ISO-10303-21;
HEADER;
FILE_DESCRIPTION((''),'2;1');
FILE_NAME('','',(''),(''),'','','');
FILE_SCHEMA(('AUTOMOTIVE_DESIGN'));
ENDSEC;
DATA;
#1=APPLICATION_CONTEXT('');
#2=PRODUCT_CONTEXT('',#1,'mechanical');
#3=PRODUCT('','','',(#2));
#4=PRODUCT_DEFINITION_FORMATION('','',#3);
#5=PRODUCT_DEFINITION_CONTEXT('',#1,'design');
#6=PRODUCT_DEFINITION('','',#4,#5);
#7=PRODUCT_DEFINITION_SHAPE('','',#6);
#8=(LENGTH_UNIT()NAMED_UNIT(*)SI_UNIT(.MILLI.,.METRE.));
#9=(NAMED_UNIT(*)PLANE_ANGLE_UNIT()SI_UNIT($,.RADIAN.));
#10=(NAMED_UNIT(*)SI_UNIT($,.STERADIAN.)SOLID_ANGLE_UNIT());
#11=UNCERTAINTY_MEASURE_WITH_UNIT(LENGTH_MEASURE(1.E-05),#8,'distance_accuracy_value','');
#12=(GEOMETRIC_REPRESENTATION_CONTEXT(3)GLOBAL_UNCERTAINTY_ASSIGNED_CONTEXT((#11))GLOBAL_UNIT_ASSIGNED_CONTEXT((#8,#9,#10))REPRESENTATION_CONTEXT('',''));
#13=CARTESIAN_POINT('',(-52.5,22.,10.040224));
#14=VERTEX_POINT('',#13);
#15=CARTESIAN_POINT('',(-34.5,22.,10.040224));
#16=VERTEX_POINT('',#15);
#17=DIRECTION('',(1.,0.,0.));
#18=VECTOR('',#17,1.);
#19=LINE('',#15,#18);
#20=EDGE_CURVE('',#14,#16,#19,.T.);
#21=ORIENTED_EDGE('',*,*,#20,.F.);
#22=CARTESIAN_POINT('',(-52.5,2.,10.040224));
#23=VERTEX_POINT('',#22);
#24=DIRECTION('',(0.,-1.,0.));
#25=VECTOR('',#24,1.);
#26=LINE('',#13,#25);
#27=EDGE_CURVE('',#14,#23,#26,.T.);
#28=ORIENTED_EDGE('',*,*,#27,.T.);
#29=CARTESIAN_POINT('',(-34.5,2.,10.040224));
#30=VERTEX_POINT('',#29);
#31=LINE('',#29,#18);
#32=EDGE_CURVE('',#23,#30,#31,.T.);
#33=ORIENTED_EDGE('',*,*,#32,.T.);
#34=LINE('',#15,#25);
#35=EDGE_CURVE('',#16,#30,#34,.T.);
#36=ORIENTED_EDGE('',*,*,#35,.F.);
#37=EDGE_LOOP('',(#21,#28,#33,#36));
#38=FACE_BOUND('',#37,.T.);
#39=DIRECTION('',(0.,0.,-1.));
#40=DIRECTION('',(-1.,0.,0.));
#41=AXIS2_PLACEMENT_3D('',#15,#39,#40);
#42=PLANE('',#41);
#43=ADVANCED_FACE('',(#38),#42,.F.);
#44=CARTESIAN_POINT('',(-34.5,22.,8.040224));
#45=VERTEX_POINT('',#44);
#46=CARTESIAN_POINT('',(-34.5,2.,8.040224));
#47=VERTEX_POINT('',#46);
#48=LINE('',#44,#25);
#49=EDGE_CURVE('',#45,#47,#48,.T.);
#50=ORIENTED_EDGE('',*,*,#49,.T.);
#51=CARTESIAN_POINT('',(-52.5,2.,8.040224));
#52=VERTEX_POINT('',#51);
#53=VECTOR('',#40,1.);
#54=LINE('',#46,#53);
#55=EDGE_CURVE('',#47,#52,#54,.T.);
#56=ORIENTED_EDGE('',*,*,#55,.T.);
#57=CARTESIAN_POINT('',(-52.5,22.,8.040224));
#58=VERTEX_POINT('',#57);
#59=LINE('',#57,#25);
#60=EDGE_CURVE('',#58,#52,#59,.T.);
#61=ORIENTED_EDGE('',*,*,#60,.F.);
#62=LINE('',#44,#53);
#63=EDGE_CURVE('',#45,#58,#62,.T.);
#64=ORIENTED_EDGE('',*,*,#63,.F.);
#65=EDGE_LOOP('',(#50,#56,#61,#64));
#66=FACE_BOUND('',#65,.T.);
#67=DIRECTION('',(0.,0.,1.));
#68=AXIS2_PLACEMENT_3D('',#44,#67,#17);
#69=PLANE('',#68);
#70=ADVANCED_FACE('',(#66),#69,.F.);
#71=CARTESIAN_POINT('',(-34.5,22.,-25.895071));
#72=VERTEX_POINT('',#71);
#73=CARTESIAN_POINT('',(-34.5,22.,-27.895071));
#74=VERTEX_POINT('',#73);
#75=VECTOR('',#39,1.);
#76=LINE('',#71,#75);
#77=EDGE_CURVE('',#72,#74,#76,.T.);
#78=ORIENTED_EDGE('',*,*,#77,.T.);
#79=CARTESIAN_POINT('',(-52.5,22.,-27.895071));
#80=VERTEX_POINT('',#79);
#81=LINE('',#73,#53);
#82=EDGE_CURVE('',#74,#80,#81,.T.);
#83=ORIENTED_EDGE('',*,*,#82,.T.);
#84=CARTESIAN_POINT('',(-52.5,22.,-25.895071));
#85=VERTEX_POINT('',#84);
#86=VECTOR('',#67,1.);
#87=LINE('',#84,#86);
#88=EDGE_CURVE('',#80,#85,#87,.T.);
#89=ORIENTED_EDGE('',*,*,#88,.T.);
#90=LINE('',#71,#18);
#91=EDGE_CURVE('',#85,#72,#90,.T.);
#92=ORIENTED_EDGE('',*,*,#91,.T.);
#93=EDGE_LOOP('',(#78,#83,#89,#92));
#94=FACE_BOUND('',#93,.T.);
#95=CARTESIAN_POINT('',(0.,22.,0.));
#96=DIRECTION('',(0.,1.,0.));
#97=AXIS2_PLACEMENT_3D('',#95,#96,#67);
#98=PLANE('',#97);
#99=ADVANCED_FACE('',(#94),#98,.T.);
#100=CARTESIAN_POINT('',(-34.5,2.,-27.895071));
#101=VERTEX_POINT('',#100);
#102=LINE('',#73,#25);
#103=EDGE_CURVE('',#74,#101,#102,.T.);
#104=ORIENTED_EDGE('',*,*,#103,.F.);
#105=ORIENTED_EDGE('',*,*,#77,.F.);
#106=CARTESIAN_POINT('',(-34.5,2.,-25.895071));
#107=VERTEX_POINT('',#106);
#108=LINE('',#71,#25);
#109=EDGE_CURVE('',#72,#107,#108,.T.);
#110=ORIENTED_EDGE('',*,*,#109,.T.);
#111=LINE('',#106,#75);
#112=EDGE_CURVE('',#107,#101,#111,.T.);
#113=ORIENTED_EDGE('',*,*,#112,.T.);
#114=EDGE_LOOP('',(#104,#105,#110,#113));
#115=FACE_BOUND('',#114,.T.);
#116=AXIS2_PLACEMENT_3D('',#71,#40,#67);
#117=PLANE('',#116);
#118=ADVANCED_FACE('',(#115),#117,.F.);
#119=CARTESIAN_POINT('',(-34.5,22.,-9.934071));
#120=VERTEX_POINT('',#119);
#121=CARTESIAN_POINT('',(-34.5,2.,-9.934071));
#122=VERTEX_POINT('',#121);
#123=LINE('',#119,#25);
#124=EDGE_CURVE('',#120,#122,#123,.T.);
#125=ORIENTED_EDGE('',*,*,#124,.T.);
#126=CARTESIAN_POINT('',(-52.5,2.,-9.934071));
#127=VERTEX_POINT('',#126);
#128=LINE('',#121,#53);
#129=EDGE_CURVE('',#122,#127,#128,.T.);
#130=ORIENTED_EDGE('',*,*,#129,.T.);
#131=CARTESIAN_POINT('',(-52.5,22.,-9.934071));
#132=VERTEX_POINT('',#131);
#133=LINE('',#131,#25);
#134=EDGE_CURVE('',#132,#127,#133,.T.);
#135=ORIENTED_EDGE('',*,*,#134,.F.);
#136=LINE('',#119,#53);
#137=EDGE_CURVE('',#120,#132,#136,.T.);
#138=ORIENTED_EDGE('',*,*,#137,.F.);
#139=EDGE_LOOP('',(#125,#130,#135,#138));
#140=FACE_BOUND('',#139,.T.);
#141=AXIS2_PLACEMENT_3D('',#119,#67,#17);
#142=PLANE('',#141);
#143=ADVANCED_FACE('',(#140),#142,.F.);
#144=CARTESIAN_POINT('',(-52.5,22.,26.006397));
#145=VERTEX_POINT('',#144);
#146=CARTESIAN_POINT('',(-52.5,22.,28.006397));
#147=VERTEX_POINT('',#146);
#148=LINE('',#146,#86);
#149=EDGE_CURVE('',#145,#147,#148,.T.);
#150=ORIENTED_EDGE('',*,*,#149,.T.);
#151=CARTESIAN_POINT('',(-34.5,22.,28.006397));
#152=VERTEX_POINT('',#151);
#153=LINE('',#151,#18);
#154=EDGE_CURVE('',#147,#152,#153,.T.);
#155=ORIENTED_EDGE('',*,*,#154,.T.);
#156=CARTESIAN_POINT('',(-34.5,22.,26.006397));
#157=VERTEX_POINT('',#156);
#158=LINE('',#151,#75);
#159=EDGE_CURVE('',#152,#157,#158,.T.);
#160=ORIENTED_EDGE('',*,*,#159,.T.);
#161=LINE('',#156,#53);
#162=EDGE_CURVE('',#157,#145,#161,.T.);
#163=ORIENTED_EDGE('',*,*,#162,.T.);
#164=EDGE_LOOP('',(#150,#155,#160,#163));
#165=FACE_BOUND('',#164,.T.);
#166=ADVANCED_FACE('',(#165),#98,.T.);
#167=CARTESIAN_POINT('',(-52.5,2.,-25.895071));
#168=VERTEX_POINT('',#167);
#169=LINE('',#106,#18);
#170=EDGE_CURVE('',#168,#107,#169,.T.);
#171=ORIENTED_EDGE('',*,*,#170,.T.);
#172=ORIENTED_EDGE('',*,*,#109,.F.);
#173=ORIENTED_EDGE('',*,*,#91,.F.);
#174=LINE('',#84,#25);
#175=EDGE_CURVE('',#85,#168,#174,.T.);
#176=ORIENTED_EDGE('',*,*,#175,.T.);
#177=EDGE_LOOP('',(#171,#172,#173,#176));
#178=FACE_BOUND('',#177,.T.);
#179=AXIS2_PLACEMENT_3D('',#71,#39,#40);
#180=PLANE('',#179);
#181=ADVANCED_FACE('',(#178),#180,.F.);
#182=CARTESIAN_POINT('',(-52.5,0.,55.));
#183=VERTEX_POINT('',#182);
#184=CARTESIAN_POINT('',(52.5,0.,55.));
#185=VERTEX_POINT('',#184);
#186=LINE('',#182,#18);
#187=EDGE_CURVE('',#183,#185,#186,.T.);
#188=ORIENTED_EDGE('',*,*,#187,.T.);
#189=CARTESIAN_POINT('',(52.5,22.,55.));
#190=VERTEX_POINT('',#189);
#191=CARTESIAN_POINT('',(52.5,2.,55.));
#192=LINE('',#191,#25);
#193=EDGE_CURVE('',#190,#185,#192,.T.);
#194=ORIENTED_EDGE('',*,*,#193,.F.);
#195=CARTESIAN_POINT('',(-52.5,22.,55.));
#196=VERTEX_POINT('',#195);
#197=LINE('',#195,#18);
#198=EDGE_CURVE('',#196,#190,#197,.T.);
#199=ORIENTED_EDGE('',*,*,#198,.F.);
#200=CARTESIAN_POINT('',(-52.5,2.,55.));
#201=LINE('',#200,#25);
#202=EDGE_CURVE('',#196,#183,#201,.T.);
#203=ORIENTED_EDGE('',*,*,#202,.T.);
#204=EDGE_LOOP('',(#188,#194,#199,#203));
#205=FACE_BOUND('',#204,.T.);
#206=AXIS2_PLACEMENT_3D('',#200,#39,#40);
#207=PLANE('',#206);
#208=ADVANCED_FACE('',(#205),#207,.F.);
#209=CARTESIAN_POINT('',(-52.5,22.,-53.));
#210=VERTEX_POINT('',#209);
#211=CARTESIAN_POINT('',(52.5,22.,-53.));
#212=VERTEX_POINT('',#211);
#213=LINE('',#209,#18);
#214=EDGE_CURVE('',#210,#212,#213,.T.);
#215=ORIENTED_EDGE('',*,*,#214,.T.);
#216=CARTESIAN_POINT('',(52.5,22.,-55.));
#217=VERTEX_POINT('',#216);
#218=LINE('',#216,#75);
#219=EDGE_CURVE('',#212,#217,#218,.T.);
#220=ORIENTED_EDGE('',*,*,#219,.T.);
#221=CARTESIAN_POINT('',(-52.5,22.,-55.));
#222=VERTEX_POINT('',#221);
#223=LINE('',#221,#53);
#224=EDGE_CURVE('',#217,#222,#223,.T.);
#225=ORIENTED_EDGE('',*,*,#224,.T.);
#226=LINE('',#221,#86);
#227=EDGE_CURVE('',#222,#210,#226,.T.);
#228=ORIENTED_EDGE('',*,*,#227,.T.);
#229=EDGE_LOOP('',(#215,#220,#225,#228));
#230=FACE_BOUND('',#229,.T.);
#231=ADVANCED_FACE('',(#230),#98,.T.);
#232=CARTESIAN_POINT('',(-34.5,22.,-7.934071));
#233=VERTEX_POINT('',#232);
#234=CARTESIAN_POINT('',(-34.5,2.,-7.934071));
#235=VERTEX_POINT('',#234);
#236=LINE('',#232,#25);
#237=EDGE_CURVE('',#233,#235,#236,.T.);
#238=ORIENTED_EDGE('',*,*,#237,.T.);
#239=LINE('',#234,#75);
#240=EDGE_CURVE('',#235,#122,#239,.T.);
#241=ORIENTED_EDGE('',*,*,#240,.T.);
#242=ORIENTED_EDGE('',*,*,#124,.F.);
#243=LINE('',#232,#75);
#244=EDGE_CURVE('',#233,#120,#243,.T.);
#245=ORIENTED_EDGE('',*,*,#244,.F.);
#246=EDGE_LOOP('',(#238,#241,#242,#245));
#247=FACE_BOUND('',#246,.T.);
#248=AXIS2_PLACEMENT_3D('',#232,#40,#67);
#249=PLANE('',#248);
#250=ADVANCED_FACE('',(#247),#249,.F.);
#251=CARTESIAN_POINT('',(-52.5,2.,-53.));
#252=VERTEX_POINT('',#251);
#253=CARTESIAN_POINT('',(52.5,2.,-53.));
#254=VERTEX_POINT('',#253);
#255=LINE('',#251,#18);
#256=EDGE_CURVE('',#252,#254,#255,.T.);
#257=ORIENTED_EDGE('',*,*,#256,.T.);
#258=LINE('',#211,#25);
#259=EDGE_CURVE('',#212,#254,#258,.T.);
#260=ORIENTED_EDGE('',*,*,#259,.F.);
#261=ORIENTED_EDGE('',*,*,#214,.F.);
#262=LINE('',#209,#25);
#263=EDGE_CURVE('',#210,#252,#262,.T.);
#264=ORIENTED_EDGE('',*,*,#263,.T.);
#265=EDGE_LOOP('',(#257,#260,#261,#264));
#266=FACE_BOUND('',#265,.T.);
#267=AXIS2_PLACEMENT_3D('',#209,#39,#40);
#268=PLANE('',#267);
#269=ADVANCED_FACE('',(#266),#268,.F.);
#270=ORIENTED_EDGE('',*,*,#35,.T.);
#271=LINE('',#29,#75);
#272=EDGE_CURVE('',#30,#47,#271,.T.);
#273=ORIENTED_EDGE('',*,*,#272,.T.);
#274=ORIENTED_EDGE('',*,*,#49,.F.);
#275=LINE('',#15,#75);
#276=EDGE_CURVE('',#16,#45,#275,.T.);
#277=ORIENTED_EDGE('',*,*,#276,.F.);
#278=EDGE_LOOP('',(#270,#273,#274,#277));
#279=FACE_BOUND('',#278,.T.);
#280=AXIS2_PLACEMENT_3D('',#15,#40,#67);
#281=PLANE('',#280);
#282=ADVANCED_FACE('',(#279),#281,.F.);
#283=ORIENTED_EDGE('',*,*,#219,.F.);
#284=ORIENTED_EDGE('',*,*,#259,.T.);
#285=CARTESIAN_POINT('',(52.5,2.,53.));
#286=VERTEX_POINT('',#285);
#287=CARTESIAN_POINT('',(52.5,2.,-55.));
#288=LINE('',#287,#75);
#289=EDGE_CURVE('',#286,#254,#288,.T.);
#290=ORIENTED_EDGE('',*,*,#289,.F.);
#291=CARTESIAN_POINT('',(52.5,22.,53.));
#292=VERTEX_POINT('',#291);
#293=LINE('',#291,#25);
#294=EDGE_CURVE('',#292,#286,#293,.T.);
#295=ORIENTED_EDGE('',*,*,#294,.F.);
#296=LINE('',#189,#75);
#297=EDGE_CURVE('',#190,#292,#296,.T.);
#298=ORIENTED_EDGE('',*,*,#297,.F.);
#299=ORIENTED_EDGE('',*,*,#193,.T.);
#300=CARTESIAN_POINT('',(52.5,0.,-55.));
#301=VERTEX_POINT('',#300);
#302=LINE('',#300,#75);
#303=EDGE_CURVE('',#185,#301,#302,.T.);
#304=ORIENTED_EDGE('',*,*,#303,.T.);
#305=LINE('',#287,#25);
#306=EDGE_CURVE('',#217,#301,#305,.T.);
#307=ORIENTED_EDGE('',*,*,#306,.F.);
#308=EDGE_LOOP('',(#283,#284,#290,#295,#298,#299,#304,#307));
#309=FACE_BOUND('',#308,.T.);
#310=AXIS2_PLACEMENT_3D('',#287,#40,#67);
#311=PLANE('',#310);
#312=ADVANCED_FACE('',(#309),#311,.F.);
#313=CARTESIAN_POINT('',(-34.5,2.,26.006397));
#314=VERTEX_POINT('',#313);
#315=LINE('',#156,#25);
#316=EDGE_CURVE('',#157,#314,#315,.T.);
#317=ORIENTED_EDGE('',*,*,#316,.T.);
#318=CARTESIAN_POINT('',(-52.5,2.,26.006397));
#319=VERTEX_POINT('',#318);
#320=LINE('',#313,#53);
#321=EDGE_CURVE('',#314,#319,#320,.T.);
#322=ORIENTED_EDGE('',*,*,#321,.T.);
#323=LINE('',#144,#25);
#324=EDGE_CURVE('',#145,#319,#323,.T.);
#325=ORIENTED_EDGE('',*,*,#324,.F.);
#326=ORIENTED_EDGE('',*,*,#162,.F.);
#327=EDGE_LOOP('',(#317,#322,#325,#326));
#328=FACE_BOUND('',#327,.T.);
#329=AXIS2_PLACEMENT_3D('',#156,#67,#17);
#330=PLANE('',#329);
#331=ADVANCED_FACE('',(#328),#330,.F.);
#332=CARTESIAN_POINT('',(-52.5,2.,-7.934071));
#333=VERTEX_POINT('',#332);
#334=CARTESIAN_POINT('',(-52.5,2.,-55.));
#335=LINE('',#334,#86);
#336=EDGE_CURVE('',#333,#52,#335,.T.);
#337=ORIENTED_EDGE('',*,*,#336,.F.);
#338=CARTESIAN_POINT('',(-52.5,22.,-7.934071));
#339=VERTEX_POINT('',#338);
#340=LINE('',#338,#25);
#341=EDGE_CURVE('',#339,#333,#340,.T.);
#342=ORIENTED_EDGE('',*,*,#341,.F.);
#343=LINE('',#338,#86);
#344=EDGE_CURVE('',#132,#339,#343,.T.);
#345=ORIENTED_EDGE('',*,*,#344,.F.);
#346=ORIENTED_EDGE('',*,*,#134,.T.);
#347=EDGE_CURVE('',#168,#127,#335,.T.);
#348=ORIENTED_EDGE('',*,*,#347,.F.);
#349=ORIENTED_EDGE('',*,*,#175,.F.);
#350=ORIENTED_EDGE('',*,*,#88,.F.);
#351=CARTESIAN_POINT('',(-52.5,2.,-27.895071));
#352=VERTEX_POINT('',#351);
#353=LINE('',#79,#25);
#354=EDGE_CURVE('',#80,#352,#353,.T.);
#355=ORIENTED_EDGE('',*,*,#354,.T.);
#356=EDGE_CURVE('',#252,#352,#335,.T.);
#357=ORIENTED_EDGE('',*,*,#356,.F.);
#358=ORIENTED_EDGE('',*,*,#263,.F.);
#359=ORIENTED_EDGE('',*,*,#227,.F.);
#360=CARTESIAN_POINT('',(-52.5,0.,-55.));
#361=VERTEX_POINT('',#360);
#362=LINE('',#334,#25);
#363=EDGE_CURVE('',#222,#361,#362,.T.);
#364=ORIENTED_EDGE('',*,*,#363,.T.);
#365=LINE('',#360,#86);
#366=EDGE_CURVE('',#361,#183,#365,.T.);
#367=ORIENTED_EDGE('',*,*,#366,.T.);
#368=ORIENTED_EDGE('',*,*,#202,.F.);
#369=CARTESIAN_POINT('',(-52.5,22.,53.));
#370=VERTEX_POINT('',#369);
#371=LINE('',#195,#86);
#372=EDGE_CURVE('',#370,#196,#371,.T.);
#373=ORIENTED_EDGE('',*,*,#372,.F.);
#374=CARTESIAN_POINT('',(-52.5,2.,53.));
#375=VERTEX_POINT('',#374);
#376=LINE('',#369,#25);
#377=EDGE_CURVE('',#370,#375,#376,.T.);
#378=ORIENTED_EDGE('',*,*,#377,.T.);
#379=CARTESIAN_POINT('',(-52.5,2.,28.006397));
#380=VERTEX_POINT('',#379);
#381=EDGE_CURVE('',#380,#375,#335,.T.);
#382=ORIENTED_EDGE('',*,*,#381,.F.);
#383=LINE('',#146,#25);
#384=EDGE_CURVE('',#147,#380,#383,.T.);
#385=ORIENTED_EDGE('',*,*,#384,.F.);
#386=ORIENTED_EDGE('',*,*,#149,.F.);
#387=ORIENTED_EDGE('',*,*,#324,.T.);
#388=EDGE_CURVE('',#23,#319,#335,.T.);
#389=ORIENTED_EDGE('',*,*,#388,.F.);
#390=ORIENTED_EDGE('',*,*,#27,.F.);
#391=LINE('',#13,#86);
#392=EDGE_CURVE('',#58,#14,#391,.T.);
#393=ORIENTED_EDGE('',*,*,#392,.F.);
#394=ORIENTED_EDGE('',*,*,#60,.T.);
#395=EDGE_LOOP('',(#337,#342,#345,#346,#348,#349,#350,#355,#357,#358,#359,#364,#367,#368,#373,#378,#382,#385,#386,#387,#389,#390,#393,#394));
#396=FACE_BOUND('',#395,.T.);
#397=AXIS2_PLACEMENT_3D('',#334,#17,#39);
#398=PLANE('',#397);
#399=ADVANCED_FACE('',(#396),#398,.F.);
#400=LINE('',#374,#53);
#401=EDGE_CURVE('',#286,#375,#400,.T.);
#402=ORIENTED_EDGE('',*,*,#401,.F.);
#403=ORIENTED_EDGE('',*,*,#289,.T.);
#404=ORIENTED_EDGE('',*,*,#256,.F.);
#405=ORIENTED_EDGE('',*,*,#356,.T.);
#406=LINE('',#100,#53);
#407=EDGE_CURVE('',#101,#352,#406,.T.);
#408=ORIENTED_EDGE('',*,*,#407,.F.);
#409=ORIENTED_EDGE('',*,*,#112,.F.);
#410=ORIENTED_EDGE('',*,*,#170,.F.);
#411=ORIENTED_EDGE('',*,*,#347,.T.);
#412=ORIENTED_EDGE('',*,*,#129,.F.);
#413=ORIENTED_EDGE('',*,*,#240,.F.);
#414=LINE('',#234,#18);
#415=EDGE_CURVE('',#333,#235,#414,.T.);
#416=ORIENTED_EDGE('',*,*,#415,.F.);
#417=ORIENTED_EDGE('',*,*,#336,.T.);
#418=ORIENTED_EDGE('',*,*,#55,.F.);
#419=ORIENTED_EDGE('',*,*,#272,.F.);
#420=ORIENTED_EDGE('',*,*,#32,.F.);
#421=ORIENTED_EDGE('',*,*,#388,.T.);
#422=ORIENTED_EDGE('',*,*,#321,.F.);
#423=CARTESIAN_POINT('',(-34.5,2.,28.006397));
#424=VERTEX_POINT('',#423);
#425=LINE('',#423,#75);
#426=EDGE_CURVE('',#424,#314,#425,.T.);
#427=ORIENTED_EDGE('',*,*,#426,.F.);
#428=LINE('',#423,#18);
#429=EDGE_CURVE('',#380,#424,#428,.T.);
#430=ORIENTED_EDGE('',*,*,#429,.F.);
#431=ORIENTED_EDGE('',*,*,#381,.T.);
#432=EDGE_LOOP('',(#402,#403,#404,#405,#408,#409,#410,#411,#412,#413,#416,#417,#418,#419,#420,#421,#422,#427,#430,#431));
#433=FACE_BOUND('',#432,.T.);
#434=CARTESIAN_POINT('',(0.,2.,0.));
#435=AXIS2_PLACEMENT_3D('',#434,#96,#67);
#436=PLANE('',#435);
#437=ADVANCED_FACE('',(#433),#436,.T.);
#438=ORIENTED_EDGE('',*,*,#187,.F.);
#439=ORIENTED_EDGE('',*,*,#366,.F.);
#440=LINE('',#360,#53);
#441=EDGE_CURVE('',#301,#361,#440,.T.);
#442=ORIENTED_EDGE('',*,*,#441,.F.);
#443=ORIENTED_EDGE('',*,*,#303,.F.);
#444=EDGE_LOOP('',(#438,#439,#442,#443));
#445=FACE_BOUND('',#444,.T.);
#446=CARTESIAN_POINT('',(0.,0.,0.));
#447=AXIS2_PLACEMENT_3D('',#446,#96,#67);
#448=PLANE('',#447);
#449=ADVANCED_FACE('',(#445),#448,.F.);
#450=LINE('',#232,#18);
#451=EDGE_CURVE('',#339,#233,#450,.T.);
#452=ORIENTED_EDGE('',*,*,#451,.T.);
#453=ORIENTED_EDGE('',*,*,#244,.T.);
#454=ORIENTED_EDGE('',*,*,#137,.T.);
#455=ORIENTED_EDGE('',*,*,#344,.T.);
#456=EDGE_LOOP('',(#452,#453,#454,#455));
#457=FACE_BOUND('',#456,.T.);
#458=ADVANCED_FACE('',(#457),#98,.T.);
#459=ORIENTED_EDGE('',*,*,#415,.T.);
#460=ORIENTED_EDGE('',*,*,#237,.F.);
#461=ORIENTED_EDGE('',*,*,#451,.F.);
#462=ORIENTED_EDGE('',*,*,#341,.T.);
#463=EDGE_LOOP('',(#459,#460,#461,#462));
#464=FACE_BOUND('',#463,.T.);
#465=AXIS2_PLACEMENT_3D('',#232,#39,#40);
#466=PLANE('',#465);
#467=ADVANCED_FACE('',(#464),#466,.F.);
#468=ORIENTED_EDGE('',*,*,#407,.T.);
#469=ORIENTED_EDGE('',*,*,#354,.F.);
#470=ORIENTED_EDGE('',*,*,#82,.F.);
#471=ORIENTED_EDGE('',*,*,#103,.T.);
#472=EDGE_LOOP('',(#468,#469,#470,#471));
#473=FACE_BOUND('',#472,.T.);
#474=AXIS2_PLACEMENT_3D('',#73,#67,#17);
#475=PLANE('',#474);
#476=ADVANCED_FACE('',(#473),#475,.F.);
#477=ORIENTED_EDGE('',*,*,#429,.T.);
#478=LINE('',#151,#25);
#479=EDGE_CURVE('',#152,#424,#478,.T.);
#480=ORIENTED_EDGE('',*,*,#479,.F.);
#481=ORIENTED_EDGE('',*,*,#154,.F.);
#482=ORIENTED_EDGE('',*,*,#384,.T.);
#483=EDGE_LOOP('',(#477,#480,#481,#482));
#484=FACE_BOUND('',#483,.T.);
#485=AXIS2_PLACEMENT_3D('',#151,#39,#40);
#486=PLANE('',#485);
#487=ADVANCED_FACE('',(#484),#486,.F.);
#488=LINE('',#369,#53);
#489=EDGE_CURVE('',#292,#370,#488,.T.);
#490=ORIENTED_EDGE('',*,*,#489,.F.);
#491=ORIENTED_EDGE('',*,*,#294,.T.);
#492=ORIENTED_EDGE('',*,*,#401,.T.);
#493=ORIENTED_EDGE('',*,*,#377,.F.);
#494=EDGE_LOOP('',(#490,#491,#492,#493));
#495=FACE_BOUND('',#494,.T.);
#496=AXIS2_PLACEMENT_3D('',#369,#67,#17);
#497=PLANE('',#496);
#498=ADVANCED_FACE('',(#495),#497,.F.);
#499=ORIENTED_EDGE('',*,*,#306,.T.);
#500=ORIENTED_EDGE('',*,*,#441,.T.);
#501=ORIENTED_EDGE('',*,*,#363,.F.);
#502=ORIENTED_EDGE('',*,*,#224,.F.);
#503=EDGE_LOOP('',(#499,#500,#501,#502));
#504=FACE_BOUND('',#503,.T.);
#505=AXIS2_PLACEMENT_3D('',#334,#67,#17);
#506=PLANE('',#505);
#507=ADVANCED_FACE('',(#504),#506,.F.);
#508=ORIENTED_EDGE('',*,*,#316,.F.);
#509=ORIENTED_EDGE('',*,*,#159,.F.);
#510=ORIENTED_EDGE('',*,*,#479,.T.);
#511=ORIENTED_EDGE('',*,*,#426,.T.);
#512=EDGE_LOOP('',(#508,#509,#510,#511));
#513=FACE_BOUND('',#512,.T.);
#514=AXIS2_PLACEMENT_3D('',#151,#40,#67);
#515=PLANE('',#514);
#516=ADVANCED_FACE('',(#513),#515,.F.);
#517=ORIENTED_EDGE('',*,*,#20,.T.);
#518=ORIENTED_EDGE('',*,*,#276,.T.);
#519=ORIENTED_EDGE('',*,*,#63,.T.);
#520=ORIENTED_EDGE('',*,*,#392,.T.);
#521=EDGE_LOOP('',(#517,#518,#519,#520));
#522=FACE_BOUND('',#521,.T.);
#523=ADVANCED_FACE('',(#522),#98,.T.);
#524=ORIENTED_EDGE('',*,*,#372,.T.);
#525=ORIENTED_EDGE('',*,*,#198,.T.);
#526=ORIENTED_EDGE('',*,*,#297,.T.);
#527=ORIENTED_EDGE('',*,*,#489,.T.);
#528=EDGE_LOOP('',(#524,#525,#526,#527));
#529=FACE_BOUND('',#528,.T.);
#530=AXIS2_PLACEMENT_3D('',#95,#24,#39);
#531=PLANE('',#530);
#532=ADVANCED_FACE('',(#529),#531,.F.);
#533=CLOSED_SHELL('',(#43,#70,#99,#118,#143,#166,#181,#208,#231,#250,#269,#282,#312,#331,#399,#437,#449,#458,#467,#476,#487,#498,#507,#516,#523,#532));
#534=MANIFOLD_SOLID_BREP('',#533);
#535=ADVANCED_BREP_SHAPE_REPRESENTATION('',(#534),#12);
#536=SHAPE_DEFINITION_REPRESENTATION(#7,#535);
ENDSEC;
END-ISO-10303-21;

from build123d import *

# Parameters (mm, degrees)
SKETCH2_W           = 105
SKETCH2_H           = 110
BOSS_EXTRUDE1_DEPTH = 2
SKETCH4_W           = 18
SKETCH4_H           = 2
SKETCH4_W_2         = 105
BOSS_EXTRUDE2_DEPTH = 20


with BuildPart() as part:
    # Sketch2 → Boss-Extrude1 (new body)
    with BuildSketch(Plane(origin=(0, 0, 0), x_dir=(1, 0, 0), z_dir=(0, 1, 0))):
        Rectangle(SKETCH2_W, SKETCH2_H)
    extrude(amount=BOSS_EXTRUDE1_DEPTH)

    # Sketch4 → Boss-Extrude2 (add)
    with BuildSketch(Plane(origin=(0, 2, 0), x_dir=(1, 0, 0), z_dir=(0, 1, 0))):
        with Locations((-43.5, 26.895070822)):
            Rectangle(SKETCH4_W, SKETCH4_H)
        with Locations((-43.5, 8.934071448)):
            Rectangle(SKETCH4_W, SKETCH4_H)
        with Locations((-43.5, -9.04022418)):
            Rectangle(SKETCH4_W, SKETCH4_H)
        with Locations((-43.5, -27.006397159)):
            Rectangle(SKETCH4_W, SKETCH4_H)
        with Locations((0, 54)):
            Rectangle(SKETCH4_W_2, SKETCH4_H)
        with Locations((0, -54)):
            Rectangle(SKETCH4_W_2, SKETCH4_H)
    extrude(amount=BOSS_EXTRUDE2_DEPTH)


solid = part.part
